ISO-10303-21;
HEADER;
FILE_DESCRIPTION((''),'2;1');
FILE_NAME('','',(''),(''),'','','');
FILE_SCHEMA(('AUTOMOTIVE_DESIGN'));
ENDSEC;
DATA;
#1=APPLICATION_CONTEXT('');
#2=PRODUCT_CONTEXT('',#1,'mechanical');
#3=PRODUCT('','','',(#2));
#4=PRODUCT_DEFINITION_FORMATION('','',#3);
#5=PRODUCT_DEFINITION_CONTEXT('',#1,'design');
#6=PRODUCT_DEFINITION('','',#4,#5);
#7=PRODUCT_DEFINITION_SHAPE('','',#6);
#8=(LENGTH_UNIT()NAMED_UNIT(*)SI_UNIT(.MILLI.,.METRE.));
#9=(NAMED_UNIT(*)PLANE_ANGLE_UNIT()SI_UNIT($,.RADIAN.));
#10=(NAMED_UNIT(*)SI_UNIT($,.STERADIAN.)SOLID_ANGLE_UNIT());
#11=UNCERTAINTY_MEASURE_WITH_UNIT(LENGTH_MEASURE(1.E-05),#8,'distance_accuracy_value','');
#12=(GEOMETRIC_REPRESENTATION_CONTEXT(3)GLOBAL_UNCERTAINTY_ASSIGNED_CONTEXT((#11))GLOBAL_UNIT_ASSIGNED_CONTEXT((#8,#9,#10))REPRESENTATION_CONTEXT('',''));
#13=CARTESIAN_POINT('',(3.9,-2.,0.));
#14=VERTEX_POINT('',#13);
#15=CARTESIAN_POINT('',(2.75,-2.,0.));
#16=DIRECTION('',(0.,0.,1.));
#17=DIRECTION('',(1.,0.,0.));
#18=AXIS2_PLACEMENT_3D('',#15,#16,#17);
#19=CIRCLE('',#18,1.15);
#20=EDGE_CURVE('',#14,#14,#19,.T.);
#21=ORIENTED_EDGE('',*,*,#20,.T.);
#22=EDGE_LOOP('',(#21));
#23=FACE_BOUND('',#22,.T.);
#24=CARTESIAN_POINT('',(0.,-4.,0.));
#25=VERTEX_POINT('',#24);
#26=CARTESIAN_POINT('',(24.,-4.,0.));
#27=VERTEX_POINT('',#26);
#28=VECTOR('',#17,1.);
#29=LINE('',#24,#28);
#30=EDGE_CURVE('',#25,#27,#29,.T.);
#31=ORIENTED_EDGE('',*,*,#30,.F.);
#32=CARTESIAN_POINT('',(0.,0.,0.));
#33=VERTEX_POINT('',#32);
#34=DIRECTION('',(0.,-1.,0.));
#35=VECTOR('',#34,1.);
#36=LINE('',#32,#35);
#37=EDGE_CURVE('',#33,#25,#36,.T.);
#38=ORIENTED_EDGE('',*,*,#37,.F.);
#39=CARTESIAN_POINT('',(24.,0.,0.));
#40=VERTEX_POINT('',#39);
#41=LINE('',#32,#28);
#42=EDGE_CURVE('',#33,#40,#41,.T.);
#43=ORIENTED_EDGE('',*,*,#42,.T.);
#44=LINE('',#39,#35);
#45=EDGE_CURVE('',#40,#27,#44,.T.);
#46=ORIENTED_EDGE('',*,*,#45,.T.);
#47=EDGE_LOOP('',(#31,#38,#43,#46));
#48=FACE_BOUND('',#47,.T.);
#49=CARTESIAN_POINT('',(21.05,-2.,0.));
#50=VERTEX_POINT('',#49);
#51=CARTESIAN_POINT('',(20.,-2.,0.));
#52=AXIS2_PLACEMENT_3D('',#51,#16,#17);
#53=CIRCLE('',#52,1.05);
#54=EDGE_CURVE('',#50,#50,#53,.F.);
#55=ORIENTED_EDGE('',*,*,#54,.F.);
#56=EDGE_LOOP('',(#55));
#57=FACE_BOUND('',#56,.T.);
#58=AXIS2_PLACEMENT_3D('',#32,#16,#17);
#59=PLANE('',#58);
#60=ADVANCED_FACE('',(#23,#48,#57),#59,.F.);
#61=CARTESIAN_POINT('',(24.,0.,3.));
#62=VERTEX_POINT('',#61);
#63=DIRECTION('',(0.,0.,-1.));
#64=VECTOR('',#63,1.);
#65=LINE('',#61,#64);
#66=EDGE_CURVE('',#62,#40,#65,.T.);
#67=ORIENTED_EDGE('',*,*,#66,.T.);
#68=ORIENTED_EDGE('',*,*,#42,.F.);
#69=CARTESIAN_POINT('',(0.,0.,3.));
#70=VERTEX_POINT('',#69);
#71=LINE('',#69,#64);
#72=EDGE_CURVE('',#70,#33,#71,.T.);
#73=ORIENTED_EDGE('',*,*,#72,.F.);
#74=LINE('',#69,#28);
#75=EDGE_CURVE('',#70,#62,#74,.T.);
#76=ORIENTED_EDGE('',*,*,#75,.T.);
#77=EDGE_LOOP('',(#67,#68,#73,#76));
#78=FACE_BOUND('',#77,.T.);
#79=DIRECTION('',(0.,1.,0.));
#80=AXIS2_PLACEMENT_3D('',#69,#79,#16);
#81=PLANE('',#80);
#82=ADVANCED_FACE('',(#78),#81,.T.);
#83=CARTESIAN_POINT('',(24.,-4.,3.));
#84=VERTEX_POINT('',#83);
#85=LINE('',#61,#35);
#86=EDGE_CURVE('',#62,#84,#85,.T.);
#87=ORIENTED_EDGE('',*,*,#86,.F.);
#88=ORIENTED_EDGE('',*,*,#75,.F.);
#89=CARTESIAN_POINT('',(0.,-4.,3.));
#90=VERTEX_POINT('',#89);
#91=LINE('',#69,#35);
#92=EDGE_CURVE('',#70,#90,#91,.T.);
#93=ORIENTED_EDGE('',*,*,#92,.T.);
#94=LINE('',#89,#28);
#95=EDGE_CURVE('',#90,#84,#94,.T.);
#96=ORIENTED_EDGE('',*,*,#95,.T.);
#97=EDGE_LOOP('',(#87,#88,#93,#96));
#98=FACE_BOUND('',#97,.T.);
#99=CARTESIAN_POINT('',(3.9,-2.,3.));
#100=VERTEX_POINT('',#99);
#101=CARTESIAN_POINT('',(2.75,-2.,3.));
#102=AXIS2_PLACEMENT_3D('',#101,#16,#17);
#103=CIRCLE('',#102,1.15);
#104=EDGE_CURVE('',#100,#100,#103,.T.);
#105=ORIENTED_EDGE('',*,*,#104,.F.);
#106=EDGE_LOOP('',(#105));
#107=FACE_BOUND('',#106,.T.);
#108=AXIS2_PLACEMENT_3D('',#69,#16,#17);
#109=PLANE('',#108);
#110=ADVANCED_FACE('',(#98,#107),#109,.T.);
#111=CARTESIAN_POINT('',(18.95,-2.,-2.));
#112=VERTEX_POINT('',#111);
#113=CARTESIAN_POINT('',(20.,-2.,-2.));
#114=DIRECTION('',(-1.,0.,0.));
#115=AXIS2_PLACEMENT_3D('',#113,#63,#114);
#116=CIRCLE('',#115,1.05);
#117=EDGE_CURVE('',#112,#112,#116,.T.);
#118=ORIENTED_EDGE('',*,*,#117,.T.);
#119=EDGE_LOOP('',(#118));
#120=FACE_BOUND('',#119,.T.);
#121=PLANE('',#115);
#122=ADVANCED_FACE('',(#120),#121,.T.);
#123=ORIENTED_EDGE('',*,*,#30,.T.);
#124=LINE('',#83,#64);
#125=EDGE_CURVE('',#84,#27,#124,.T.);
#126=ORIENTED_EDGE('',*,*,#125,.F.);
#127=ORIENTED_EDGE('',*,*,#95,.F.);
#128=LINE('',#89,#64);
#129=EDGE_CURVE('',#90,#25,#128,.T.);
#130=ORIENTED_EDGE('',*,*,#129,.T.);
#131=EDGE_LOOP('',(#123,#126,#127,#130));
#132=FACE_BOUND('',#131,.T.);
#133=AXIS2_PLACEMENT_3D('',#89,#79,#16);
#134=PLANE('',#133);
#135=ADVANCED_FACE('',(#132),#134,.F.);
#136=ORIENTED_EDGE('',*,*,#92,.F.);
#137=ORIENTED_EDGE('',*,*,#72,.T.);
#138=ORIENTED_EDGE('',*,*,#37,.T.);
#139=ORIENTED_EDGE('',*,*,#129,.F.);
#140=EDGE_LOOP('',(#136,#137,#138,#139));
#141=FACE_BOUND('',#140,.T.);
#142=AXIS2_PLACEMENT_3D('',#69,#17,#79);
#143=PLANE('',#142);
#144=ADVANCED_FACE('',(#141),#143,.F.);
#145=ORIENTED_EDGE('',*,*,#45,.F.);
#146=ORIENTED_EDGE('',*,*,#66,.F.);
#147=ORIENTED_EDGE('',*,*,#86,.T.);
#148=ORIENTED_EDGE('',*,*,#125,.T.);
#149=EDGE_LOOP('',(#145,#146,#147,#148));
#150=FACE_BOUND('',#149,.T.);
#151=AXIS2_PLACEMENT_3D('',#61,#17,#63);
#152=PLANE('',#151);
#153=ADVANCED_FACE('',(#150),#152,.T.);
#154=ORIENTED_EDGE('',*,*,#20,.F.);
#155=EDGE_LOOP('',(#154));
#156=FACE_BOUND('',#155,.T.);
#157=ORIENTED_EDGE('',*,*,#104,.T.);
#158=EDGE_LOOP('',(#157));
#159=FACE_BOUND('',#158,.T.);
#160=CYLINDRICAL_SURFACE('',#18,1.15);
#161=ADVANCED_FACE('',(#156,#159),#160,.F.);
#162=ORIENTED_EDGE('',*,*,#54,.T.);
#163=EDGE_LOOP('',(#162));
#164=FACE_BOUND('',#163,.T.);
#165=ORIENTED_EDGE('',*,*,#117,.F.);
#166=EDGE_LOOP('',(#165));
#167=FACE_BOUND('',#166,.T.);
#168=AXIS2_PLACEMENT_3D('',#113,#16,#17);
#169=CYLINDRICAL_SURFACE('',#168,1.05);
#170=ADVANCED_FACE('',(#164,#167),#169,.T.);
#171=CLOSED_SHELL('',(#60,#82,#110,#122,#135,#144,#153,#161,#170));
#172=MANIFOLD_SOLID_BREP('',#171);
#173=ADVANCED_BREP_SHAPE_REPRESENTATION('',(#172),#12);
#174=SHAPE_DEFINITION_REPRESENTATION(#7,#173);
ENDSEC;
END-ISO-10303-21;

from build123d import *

# Parameters (mm, degrees)
CROQUIS1_W              = 24
CROQUIS1_H              = 4
SALIENTE_EXTRUIR1_DEPTH = 3
CROQUIS4_R              = 1.15
CORTAR_EXTRUIR2_DEPTH   = 25.515301344
CROQUIS3_R              = 1.05
SALIENTE_EXTRUIR3_DEPTH = 2


with BuildPart() as part:
    # Croquis1 → Saliente-Extruir1 (new body)
    with BuildSketch(Plane.XY):
        with Locations((12, -2)):
            Rectangle(CROQUIS1_W, CROQUIS1_H)
    extrude(amount=SALIENTE_EXTRUIR1_DEPTH)

    # Croquis4 → Cortar-Extruir2 (cut, through all)
    with BuildSketch(Plane.XY.offset(3)):
        with Locations((2.75, -2)):
            Circle(CROQUIS4_R)
    extrude(amount=-CORTAR_EXTRUIR2_DEPTH, mode=Mode.SUBTRACT)

    # Croquis3 → Saliente-Extruir3 (add)
    with BuildSketch(Plane(origin=(0, 0, 0), x_dir=(-1, 0, 0), z_dir=(0, 0, -1))):
        with Locations(Location((-20, -2, 0), (0, 0, 180))):
            Circle(CROQUIS3_R)
    extrude(amount=SALIENTE_EXTRUIR3_DEPTH)


solid = part.part
